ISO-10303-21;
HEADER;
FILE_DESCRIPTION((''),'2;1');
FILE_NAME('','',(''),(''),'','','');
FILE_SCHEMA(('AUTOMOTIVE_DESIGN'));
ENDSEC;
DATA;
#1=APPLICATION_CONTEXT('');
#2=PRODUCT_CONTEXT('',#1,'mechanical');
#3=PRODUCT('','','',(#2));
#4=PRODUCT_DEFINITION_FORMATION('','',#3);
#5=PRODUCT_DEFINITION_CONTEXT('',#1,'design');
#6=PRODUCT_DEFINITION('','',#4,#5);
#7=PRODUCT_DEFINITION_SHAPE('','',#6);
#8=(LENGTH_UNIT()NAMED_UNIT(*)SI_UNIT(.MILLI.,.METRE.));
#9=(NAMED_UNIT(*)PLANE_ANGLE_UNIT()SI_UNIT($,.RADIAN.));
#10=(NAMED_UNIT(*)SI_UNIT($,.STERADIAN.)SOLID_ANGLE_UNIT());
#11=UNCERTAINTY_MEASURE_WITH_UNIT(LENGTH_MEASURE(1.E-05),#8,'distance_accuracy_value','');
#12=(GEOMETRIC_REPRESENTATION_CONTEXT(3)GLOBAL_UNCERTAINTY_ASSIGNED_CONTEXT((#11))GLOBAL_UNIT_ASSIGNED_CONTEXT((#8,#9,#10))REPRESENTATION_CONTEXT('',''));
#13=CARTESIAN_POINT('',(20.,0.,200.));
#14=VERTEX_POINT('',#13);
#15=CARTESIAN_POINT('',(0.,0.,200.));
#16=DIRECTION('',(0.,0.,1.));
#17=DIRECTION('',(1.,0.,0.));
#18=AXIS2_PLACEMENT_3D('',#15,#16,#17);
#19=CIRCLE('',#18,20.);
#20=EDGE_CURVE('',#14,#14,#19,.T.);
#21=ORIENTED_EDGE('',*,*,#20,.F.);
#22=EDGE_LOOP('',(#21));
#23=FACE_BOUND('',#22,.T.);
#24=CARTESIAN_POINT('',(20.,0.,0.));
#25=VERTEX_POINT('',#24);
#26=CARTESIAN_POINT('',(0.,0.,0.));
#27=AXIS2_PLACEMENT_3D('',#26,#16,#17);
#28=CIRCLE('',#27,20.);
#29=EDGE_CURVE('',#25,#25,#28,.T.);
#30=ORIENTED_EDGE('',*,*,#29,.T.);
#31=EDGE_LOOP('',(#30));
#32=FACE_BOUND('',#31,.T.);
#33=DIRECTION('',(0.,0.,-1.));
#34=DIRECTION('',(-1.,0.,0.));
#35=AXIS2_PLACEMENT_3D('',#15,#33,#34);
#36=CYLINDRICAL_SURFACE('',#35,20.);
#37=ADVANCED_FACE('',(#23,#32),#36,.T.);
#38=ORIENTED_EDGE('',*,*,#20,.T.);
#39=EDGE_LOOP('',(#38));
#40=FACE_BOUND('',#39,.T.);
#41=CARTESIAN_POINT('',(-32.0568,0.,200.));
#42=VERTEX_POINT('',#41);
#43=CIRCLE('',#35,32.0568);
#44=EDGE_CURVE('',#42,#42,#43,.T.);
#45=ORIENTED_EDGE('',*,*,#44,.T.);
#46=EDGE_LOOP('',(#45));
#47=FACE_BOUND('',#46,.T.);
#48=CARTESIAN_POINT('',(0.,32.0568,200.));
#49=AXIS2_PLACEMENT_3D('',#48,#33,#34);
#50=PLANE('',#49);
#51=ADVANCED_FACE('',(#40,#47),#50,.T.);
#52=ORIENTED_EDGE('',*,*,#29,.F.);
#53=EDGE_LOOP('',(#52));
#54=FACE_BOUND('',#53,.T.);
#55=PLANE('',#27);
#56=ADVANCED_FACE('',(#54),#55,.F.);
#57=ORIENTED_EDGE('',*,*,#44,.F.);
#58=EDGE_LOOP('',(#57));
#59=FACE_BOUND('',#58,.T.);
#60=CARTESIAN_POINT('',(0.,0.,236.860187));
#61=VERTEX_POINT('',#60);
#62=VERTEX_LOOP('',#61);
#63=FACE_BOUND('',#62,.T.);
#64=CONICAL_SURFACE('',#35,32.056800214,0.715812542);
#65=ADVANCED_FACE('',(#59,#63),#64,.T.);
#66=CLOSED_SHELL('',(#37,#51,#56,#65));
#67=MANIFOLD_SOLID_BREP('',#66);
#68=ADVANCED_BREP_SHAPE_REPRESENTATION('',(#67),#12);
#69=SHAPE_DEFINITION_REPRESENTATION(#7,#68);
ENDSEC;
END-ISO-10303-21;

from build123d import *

# Parameters (mm, degrees)
SKETCH_1_R      = 20
EXTRUDE_1_DEPTH = 200


with BuildPart() as part:
    # 草图1 → 凸台-拉伸1 (new body)
    with BuildSketch(Plane.XY):
        Circle(SKETCH_1_R)
    extrude(amount=EXTRUDE_1_DEPTH)

    # 草图3 → 旋转1 (revolve)
    with BuildSketch(Plane(origin=(0, 0, 0), x_dir=(0, 0, -1), z_dir=(1, 0, 0)), mode=Mode.PRIVATE) as revolve_1_sk:
        Polygon((-200, 32.056800214), (-200, 0), (-236.860187008, 0), align=None)
    revolve(revolve_1_sk.sketch.rotate(Axis((0, 0, 200), (0, 0, 1)), 90), axis=Axis((0, 0, 200), (0, 0, 1)))


solid = part.part
